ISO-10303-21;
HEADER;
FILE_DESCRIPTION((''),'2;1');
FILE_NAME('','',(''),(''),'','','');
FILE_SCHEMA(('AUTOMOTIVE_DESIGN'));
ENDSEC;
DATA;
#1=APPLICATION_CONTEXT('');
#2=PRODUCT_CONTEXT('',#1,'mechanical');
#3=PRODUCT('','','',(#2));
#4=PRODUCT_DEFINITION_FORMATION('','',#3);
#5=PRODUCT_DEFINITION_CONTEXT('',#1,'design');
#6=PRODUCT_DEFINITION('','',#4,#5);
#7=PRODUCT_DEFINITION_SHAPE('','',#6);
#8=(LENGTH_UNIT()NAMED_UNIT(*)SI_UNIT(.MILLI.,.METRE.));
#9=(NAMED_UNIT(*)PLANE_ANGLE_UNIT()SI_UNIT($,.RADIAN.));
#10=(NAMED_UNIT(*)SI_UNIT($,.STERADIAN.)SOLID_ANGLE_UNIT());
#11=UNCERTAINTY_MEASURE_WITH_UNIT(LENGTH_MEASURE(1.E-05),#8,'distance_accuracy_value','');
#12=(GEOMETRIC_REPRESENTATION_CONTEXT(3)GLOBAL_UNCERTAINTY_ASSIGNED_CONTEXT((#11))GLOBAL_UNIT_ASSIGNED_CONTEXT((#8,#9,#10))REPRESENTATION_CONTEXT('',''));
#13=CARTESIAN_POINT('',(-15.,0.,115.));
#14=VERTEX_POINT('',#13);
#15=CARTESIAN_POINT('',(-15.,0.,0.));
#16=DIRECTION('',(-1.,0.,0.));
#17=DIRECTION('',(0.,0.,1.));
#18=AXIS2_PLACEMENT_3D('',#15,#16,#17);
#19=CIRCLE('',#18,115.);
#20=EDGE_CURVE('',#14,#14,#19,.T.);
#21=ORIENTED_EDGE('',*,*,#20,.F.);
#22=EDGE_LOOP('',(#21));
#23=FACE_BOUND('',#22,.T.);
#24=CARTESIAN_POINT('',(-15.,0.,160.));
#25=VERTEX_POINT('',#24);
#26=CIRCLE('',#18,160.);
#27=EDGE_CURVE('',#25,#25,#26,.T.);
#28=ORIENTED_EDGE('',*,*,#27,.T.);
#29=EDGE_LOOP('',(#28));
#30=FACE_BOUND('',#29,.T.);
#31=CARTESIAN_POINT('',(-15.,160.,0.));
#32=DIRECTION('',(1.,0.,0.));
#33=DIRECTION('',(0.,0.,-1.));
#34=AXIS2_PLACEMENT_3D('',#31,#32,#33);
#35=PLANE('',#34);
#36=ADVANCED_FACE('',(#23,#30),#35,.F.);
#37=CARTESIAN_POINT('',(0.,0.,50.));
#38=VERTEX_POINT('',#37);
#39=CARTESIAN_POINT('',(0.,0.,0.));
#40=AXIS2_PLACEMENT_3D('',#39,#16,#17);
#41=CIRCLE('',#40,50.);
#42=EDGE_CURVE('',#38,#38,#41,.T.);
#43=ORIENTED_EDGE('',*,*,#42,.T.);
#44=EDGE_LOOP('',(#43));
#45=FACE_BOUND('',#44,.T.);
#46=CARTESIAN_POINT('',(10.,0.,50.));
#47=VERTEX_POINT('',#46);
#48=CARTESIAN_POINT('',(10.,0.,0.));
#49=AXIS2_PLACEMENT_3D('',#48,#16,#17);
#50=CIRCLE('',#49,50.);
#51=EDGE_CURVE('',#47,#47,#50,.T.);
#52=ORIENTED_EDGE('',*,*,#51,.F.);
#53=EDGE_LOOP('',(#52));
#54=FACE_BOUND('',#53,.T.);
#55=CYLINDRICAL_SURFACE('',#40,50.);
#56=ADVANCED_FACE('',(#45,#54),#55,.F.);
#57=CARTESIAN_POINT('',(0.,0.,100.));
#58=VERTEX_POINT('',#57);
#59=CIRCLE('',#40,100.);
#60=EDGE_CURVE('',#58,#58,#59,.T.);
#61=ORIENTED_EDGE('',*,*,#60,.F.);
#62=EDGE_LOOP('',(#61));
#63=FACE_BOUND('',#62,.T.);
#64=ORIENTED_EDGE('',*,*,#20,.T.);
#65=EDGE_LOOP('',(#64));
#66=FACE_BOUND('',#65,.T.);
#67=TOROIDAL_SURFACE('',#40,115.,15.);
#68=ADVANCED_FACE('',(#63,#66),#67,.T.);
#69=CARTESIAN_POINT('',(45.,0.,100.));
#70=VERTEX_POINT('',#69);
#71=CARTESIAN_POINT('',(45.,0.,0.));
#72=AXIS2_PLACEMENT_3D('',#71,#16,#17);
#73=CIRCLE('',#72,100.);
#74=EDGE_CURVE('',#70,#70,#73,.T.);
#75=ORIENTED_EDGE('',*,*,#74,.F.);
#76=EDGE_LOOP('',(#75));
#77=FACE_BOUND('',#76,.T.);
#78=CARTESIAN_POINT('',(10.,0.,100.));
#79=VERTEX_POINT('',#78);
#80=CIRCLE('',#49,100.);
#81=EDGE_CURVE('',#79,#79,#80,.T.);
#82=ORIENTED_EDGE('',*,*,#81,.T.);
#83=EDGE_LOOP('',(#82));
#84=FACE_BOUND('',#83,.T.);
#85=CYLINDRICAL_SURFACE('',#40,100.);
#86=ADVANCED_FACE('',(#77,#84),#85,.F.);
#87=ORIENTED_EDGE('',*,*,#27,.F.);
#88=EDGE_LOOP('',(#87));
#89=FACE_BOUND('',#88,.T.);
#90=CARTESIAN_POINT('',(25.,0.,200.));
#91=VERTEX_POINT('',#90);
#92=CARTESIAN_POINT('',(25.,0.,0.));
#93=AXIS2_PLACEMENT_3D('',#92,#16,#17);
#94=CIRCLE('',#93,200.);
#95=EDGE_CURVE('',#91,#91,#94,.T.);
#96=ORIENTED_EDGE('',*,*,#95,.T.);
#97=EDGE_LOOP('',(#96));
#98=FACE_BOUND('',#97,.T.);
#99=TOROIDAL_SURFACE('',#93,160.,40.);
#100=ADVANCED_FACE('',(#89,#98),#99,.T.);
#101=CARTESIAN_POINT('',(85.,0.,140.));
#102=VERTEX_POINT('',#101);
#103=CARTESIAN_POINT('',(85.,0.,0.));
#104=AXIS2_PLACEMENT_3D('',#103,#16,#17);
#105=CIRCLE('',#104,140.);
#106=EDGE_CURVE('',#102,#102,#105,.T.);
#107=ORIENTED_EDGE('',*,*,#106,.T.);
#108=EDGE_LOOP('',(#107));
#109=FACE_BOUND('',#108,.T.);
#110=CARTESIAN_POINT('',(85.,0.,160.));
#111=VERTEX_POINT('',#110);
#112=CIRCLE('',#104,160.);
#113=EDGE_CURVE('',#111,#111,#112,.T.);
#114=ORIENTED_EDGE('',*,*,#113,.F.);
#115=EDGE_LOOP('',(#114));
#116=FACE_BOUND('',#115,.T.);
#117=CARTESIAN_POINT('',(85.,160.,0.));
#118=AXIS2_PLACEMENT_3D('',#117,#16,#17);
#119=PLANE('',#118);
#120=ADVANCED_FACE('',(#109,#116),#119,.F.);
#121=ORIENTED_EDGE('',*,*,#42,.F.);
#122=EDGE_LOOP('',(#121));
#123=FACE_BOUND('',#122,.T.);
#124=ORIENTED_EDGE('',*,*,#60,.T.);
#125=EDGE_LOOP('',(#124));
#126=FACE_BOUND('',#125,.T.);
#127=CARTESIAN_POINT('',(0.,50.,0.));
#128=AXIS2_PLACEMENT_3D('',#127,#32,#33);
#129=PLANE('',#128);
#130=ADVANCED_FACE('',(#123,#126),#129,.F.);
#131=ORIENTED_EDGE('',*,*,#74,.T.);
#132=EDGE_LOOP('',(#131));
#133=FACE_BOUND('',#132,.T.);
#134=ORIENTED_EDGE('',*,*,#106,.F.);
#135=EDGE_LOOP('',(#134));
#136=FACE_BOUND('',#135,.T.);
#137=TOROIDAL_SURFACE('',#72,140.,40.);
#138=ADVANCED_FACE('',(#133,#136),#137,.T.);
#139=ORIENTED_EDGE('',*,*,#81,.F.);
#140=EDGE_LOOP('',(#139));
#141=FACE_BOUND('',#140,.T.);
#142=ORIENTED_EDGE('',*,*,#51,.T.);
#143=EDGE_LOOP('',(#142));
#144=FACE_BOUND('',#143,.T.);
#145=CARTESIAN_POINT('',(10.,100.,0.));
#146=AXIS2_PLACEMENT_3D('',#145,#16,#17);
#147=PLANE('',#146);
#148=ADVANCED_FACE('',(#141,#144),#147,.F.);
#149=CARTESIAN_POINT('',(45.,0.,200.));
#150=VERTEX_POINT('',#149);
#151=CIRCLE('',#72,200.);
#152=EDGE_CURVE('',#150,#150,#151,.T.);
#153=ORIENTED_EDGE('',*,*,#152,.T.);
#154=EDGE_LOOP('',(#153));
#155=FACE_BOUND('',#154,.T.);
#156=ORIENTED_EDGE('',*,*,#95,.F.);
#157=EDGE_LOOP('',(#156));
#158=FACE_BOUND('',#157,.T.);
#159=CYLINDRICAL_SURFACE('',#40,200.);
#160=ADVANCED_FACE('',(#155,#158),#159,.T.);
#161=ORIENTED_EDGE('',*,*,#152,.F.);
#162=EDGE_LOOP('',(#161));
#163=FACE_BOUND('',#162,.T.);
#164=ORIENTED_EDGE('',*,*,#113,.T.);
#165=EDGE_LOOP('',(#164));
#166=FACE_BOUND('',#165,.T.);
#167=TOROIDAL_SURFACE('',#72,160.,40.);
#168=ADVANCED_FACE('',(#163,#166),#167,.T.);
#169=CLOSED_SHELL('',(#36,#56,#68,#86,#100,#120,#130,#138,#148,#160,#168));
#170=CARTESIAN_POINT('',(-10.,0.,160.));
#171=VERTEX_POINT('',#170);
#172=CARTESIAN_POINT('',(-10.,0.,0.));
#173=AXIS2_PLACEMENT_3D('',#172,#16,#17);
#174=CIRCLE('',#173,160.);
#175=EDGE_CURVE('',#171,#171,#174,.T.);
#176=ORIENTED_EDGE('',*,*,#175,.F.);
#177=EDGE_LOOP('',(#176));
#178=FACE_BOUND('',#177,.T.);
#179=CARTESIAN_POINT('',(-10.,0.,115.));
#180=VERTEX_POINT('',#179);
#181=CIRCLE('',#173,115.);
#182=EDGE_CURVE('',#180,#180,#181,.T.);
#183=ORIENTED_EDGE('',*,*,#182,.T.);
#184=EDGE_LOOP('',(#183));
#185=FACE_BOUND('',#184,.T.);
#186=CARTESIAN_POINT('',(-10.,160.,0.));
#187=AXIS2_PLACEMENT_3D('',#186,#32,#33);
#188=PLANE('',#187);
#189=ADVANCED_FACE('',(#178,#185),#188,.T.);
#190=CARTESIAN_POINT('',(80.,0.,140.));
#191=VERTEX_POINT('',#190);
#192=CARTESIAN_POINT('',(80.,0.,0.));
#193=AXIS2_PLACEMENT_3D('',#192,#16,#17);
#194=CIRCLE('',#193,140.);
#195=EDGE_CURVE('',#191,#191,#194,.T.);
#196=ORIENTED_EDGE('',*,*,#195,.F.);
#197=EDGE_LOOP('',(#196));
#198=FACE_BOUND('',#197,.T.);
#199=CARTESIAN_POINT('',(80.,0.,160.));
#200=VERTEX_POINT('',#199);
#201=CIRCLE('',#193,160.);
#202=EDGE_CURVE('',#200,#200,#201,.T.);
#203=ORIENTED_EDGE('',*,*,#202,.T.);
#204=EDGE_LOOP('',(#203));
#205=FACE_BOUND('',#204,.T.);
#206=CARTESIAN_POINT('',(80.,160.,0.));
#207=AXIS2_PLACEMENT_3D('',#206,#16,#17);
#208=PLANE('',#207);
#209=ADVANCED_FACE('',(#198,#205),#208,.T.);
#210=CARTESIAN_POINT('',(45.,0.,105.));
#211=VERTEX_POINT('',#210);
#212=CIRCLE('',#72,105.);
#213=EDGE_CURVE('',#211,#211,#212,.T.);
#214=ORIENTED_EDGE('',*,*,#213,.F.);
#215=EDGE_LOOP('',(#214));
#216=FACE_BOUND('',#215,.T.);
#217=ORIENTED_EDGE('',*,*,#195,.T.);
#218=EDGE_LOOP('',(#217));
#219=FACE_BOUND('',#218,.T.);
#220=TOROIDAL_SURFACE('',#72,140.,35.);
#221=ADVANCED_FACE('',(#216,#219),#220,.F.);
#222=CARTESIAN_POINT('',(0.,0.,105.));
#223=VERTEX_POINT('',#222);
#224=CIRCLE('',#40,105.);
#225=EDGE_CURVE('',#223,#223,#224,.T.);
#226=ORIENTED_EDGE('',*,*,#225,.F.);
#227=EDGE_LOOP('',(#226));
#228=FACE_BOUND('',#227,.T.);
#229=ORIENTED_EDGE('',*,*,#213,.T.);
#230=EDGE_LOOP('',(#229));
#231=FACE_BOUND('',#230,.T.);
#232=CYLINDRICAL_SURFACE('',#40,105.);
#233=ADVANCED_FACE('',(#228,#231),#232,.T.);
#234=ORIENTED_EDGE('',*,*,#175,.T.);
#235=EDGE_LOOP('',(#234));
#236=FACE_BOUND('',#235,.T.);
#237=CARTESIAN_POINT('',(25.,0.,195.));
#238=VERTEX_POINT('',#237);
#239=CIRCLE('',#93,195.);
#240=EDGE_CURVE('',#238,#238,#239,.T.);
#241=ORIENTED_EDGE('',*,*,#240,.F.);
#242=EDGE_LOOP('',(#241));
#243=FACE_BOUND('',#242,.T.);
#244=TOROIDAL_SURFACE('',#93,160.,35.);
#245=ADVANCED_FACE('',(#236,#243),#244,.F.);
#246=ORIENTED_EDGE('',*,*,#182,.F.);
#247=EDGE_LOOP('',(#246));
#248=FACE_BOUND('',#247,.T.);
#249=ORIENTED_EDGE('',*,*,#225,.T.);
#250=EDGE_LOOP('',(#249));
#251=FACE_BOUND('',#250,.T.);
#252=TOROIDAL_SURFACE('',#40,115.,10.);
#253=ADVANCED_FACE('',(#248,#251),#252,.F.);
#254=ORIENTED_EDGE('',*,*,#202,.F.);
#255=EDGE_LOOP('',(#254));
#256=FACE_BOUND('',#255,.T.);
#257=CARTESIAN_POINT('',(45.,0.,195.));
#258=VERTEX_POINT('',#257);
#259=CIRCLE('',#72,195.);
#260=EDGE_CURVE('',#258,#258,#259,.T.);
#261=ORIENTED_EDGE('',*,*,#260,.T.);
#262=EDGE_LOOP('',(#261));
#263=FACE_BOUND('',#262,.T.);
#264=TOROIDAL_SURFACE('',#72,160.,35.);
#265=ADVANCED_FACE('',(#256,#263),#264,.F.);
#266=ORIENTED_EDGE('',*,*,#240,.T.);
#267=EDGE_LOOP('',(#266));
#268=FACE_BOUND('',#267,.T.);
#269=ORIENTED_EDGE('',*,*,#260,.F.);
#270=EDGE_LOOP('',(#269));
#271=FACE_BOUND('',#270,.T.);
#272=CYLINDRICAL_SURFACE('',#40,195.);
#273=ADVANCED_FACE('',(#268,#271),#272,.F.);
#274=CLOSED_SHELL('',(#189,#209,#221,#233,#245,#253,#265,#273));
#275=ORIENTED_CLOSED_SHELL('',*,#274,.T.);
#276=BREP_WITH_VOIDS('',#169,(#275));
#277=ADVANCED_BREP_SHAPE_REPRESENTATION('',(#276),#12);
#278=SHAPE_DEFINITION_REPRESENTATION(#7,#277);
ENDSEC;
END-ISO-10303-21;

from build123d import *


with BuildPart() as part:
    # Sketch2 → Revolve1 (revolve)
    with BuildSketch(Plane.XY, mode=Mode.PRIVATE) as revolve1_sk:
        with BuildLine():
            Line((0, 50), (0, 100))
            ThreePointArc((0, 100), (-10.606601718, 104.393398282), (-15, 115))
            Line((-15, 115), (-15, 160))
            ThreePointArc((-15, 160), (-3.284271247, 188.284271247), (25, 200))
            Line((25, 200), (45, 200))
            ThreePointArc((45, 200), (73.284271247, 188.284271247), (85, 160))
            Line((85, 160), (85, 140))
            ThreePointArc((85, 140), (73.284271247, 111.715728753), (45, 100))
            Line((45, 100), (10, 100))
            Line((10, 100), (10, 50))
            Line((10, 50), (0, 50))
        make_face()
        with BuildLine():
            Line((25, 195), (45, 195))
            ThreePointArc((45, 195), (69.748737342, 184.748737342), (80, 160))
            Line((80, 160), (80, 140))
            ThreePointArc((80, 140), (69.748737342, 115.251262658), (45, 105))
            Line((45, 105), (0, 105))
            ThreePointArc((0, 105), (-7.071067812, 107.928932188), (-10, 115))
            Line((-10, 115), (-10, 160))
            ThreePointArc((-10, 160), (0.251262658, 184.748737342), (25, 195))
        make_face(mode=Mode.SUBTRACT)
    revolve(revolve1_sk.sketch.rotate(Axis((0, 0, 0), (1, 0, 0)), 90), axis=Axis((0, 0, 0), (1, 0, 0)))


solid = part.part
